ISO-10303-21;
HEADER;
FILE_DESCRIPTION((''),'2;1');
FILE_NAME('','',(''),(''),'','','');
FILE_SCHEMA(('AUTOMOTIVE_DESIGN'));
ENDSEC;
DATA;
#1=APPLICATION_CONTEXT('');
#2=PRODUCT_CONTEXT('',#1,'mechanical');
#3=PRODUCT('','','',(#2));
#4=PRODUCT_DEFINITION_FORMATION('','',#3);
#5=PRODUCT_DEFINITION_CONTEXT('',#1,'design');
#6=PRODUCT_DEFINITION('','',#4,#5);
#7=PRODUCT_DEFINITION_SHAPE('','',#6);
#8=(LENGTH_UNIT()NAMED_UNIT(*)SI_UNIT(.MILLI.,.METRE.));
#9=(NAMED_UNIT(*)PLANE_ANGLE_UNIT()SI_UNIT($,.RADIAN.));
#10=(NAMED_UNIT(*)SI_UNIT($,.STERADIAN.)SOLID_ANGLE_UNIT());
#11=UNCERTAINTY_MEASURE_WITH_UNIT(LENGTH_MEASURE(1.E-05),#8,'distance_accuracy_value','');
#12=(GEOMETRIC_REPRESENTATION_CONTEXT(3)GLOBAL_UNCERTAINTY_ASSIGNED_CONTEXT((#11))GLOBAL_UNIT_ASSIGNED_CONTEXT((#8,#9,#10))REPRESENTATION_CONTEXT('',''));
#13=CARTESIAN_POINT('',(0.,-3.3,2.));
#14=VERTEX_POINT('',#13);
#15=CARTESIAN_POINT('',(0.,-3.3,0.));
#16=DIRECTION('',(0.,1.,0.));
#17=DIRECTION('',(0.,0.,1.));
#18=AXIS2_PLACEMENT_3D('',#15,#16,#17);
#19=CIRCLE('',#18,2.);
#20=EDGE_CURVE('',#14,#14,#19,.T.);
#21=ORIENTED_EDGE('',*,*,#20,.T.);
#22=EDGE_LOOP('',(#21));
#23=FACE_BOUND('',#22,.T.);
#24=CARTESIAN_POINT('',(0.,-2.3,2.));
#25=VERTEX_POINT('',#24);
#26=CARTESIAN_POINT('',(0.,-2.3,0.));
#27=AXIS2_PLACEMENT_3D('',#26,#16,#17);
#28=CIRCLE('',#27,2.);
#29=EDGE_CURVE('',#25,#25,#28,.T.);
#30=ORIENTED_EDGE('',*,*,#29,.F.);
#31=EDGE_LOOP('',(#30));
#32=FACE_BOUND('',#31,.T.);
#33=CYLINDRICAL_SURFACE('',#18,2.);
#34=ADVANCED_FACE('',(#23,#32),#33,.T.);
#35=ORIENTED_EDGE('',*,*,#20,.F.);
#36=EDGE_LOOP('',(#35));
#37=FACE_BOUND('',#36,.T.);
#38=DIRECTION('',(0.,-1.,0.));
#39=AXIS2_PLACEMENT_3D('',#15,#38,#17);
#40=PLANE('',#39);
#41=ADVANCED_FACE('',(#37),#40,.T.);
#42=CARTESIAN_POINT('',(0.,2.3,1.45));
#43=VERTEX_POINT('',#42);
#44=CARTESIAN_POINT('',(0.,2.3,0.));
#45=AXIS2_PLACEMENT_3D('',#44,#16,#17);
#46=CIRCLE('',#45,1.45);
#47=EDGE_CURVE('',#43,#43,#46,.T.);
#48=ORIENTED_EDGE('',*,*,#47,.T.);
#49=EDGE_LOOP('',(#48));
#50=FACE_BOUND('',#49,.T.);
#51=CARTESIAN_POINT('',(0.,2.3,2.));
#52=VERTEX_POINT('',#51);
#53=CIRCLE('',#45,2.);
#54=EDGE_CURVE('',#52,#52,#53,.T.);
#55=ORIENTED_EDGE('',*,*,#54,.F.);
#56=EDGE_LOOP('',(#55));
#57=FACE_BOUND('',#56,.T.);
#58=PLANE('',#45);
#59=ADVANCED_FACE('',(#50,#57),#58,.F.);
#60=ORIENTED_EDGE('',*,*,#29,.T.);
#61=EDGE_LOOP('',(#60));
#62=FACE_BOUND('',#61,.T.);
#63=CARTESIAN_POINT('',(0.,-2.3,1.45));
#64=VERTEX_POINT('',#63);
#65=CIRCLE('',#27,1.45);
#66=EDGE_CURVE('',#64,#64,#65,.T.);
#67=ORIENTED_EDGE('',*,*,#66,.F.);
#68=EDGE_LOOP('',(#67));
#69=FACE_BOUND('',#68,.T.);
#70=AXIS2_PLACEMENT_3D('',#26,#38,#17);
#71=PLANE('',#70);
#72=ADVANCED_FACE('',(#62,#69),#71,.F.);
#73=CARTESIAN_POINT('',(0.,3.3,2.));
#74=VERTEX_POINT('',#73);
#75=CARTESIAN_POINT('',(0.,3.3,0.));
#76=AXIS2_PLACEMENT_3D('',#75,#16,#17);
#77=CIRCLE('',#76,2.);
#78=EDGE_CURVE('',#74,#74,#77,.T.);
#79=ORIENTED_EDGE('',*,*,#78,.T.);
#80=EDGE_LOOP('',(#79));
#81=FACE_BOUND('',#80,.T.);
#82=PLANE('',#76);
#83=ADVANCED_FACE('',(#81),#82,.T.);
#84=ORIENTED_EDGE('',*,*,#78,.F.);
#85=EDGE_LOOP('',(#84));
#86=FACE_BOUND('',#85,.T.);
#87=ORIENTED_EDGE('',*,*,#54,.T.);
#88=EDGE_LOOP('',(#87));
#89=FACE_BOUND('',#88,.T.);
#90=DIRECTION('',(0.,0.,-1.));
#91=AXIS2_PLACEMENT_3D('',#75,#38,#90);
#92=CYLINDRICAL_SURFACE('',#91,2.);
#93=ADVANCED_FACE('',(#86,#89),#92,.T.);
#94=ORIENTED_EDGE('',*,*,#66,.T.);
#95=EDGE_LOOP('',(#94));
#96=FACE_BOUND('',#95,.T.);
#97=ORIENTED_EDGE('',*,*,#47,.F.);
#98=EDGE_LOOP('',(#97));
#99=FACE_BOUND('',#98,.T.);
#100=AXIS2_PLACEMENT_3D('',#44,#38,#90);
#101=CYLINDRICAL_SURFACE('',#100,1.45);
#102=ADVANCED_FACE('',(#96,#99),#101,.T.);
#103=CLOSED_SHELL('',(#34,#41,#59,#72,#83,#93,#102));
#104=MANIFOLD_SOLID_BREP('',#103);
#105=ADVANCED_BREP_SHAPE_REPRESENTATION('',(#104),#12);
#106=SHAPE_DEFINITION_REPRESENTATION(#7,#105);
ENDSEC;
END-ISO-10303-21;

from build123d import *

# Parameters (mm, degrees)
SKETCH1_R      = 1.45
MID_BODY_DEPTH = 2.3
SKETCH2_R      = 2
TOP_HEAD_DEPTH = 1


with BuildPart() as part:
    # Sketch1 → MID BODY (new, symmetric)
    with BuildSketch(Plane(origin=(0, 0, 0), x_dir=(1, 0, 0), z_dir=(0, 1, 0))):
        with Locations(Location((0, 0, 0), (0, 0, 270))):
            Circle(SKETCH1_R)
    extrude(amount=MID_BODY_DEPTH, both=True)

    # Sketch2 → TOP HEAD (add)
    with BuildSketch(Plane(origin=(0, 2.3, 0), x_dir=(1, 0, 0), z_dir=(0, 1, 0))):
        with Locations(Location((0, 0, 0), (0, 0, 270))):
            Circle(SKETCH2_R)
    top_head = extrude(amount=TOP_HEAD_DEPTH)

    # BOTTOM HEAD: TOP HEAD across plane
    add(top_head.mirror(Plane.ZX))


solid = part.part
